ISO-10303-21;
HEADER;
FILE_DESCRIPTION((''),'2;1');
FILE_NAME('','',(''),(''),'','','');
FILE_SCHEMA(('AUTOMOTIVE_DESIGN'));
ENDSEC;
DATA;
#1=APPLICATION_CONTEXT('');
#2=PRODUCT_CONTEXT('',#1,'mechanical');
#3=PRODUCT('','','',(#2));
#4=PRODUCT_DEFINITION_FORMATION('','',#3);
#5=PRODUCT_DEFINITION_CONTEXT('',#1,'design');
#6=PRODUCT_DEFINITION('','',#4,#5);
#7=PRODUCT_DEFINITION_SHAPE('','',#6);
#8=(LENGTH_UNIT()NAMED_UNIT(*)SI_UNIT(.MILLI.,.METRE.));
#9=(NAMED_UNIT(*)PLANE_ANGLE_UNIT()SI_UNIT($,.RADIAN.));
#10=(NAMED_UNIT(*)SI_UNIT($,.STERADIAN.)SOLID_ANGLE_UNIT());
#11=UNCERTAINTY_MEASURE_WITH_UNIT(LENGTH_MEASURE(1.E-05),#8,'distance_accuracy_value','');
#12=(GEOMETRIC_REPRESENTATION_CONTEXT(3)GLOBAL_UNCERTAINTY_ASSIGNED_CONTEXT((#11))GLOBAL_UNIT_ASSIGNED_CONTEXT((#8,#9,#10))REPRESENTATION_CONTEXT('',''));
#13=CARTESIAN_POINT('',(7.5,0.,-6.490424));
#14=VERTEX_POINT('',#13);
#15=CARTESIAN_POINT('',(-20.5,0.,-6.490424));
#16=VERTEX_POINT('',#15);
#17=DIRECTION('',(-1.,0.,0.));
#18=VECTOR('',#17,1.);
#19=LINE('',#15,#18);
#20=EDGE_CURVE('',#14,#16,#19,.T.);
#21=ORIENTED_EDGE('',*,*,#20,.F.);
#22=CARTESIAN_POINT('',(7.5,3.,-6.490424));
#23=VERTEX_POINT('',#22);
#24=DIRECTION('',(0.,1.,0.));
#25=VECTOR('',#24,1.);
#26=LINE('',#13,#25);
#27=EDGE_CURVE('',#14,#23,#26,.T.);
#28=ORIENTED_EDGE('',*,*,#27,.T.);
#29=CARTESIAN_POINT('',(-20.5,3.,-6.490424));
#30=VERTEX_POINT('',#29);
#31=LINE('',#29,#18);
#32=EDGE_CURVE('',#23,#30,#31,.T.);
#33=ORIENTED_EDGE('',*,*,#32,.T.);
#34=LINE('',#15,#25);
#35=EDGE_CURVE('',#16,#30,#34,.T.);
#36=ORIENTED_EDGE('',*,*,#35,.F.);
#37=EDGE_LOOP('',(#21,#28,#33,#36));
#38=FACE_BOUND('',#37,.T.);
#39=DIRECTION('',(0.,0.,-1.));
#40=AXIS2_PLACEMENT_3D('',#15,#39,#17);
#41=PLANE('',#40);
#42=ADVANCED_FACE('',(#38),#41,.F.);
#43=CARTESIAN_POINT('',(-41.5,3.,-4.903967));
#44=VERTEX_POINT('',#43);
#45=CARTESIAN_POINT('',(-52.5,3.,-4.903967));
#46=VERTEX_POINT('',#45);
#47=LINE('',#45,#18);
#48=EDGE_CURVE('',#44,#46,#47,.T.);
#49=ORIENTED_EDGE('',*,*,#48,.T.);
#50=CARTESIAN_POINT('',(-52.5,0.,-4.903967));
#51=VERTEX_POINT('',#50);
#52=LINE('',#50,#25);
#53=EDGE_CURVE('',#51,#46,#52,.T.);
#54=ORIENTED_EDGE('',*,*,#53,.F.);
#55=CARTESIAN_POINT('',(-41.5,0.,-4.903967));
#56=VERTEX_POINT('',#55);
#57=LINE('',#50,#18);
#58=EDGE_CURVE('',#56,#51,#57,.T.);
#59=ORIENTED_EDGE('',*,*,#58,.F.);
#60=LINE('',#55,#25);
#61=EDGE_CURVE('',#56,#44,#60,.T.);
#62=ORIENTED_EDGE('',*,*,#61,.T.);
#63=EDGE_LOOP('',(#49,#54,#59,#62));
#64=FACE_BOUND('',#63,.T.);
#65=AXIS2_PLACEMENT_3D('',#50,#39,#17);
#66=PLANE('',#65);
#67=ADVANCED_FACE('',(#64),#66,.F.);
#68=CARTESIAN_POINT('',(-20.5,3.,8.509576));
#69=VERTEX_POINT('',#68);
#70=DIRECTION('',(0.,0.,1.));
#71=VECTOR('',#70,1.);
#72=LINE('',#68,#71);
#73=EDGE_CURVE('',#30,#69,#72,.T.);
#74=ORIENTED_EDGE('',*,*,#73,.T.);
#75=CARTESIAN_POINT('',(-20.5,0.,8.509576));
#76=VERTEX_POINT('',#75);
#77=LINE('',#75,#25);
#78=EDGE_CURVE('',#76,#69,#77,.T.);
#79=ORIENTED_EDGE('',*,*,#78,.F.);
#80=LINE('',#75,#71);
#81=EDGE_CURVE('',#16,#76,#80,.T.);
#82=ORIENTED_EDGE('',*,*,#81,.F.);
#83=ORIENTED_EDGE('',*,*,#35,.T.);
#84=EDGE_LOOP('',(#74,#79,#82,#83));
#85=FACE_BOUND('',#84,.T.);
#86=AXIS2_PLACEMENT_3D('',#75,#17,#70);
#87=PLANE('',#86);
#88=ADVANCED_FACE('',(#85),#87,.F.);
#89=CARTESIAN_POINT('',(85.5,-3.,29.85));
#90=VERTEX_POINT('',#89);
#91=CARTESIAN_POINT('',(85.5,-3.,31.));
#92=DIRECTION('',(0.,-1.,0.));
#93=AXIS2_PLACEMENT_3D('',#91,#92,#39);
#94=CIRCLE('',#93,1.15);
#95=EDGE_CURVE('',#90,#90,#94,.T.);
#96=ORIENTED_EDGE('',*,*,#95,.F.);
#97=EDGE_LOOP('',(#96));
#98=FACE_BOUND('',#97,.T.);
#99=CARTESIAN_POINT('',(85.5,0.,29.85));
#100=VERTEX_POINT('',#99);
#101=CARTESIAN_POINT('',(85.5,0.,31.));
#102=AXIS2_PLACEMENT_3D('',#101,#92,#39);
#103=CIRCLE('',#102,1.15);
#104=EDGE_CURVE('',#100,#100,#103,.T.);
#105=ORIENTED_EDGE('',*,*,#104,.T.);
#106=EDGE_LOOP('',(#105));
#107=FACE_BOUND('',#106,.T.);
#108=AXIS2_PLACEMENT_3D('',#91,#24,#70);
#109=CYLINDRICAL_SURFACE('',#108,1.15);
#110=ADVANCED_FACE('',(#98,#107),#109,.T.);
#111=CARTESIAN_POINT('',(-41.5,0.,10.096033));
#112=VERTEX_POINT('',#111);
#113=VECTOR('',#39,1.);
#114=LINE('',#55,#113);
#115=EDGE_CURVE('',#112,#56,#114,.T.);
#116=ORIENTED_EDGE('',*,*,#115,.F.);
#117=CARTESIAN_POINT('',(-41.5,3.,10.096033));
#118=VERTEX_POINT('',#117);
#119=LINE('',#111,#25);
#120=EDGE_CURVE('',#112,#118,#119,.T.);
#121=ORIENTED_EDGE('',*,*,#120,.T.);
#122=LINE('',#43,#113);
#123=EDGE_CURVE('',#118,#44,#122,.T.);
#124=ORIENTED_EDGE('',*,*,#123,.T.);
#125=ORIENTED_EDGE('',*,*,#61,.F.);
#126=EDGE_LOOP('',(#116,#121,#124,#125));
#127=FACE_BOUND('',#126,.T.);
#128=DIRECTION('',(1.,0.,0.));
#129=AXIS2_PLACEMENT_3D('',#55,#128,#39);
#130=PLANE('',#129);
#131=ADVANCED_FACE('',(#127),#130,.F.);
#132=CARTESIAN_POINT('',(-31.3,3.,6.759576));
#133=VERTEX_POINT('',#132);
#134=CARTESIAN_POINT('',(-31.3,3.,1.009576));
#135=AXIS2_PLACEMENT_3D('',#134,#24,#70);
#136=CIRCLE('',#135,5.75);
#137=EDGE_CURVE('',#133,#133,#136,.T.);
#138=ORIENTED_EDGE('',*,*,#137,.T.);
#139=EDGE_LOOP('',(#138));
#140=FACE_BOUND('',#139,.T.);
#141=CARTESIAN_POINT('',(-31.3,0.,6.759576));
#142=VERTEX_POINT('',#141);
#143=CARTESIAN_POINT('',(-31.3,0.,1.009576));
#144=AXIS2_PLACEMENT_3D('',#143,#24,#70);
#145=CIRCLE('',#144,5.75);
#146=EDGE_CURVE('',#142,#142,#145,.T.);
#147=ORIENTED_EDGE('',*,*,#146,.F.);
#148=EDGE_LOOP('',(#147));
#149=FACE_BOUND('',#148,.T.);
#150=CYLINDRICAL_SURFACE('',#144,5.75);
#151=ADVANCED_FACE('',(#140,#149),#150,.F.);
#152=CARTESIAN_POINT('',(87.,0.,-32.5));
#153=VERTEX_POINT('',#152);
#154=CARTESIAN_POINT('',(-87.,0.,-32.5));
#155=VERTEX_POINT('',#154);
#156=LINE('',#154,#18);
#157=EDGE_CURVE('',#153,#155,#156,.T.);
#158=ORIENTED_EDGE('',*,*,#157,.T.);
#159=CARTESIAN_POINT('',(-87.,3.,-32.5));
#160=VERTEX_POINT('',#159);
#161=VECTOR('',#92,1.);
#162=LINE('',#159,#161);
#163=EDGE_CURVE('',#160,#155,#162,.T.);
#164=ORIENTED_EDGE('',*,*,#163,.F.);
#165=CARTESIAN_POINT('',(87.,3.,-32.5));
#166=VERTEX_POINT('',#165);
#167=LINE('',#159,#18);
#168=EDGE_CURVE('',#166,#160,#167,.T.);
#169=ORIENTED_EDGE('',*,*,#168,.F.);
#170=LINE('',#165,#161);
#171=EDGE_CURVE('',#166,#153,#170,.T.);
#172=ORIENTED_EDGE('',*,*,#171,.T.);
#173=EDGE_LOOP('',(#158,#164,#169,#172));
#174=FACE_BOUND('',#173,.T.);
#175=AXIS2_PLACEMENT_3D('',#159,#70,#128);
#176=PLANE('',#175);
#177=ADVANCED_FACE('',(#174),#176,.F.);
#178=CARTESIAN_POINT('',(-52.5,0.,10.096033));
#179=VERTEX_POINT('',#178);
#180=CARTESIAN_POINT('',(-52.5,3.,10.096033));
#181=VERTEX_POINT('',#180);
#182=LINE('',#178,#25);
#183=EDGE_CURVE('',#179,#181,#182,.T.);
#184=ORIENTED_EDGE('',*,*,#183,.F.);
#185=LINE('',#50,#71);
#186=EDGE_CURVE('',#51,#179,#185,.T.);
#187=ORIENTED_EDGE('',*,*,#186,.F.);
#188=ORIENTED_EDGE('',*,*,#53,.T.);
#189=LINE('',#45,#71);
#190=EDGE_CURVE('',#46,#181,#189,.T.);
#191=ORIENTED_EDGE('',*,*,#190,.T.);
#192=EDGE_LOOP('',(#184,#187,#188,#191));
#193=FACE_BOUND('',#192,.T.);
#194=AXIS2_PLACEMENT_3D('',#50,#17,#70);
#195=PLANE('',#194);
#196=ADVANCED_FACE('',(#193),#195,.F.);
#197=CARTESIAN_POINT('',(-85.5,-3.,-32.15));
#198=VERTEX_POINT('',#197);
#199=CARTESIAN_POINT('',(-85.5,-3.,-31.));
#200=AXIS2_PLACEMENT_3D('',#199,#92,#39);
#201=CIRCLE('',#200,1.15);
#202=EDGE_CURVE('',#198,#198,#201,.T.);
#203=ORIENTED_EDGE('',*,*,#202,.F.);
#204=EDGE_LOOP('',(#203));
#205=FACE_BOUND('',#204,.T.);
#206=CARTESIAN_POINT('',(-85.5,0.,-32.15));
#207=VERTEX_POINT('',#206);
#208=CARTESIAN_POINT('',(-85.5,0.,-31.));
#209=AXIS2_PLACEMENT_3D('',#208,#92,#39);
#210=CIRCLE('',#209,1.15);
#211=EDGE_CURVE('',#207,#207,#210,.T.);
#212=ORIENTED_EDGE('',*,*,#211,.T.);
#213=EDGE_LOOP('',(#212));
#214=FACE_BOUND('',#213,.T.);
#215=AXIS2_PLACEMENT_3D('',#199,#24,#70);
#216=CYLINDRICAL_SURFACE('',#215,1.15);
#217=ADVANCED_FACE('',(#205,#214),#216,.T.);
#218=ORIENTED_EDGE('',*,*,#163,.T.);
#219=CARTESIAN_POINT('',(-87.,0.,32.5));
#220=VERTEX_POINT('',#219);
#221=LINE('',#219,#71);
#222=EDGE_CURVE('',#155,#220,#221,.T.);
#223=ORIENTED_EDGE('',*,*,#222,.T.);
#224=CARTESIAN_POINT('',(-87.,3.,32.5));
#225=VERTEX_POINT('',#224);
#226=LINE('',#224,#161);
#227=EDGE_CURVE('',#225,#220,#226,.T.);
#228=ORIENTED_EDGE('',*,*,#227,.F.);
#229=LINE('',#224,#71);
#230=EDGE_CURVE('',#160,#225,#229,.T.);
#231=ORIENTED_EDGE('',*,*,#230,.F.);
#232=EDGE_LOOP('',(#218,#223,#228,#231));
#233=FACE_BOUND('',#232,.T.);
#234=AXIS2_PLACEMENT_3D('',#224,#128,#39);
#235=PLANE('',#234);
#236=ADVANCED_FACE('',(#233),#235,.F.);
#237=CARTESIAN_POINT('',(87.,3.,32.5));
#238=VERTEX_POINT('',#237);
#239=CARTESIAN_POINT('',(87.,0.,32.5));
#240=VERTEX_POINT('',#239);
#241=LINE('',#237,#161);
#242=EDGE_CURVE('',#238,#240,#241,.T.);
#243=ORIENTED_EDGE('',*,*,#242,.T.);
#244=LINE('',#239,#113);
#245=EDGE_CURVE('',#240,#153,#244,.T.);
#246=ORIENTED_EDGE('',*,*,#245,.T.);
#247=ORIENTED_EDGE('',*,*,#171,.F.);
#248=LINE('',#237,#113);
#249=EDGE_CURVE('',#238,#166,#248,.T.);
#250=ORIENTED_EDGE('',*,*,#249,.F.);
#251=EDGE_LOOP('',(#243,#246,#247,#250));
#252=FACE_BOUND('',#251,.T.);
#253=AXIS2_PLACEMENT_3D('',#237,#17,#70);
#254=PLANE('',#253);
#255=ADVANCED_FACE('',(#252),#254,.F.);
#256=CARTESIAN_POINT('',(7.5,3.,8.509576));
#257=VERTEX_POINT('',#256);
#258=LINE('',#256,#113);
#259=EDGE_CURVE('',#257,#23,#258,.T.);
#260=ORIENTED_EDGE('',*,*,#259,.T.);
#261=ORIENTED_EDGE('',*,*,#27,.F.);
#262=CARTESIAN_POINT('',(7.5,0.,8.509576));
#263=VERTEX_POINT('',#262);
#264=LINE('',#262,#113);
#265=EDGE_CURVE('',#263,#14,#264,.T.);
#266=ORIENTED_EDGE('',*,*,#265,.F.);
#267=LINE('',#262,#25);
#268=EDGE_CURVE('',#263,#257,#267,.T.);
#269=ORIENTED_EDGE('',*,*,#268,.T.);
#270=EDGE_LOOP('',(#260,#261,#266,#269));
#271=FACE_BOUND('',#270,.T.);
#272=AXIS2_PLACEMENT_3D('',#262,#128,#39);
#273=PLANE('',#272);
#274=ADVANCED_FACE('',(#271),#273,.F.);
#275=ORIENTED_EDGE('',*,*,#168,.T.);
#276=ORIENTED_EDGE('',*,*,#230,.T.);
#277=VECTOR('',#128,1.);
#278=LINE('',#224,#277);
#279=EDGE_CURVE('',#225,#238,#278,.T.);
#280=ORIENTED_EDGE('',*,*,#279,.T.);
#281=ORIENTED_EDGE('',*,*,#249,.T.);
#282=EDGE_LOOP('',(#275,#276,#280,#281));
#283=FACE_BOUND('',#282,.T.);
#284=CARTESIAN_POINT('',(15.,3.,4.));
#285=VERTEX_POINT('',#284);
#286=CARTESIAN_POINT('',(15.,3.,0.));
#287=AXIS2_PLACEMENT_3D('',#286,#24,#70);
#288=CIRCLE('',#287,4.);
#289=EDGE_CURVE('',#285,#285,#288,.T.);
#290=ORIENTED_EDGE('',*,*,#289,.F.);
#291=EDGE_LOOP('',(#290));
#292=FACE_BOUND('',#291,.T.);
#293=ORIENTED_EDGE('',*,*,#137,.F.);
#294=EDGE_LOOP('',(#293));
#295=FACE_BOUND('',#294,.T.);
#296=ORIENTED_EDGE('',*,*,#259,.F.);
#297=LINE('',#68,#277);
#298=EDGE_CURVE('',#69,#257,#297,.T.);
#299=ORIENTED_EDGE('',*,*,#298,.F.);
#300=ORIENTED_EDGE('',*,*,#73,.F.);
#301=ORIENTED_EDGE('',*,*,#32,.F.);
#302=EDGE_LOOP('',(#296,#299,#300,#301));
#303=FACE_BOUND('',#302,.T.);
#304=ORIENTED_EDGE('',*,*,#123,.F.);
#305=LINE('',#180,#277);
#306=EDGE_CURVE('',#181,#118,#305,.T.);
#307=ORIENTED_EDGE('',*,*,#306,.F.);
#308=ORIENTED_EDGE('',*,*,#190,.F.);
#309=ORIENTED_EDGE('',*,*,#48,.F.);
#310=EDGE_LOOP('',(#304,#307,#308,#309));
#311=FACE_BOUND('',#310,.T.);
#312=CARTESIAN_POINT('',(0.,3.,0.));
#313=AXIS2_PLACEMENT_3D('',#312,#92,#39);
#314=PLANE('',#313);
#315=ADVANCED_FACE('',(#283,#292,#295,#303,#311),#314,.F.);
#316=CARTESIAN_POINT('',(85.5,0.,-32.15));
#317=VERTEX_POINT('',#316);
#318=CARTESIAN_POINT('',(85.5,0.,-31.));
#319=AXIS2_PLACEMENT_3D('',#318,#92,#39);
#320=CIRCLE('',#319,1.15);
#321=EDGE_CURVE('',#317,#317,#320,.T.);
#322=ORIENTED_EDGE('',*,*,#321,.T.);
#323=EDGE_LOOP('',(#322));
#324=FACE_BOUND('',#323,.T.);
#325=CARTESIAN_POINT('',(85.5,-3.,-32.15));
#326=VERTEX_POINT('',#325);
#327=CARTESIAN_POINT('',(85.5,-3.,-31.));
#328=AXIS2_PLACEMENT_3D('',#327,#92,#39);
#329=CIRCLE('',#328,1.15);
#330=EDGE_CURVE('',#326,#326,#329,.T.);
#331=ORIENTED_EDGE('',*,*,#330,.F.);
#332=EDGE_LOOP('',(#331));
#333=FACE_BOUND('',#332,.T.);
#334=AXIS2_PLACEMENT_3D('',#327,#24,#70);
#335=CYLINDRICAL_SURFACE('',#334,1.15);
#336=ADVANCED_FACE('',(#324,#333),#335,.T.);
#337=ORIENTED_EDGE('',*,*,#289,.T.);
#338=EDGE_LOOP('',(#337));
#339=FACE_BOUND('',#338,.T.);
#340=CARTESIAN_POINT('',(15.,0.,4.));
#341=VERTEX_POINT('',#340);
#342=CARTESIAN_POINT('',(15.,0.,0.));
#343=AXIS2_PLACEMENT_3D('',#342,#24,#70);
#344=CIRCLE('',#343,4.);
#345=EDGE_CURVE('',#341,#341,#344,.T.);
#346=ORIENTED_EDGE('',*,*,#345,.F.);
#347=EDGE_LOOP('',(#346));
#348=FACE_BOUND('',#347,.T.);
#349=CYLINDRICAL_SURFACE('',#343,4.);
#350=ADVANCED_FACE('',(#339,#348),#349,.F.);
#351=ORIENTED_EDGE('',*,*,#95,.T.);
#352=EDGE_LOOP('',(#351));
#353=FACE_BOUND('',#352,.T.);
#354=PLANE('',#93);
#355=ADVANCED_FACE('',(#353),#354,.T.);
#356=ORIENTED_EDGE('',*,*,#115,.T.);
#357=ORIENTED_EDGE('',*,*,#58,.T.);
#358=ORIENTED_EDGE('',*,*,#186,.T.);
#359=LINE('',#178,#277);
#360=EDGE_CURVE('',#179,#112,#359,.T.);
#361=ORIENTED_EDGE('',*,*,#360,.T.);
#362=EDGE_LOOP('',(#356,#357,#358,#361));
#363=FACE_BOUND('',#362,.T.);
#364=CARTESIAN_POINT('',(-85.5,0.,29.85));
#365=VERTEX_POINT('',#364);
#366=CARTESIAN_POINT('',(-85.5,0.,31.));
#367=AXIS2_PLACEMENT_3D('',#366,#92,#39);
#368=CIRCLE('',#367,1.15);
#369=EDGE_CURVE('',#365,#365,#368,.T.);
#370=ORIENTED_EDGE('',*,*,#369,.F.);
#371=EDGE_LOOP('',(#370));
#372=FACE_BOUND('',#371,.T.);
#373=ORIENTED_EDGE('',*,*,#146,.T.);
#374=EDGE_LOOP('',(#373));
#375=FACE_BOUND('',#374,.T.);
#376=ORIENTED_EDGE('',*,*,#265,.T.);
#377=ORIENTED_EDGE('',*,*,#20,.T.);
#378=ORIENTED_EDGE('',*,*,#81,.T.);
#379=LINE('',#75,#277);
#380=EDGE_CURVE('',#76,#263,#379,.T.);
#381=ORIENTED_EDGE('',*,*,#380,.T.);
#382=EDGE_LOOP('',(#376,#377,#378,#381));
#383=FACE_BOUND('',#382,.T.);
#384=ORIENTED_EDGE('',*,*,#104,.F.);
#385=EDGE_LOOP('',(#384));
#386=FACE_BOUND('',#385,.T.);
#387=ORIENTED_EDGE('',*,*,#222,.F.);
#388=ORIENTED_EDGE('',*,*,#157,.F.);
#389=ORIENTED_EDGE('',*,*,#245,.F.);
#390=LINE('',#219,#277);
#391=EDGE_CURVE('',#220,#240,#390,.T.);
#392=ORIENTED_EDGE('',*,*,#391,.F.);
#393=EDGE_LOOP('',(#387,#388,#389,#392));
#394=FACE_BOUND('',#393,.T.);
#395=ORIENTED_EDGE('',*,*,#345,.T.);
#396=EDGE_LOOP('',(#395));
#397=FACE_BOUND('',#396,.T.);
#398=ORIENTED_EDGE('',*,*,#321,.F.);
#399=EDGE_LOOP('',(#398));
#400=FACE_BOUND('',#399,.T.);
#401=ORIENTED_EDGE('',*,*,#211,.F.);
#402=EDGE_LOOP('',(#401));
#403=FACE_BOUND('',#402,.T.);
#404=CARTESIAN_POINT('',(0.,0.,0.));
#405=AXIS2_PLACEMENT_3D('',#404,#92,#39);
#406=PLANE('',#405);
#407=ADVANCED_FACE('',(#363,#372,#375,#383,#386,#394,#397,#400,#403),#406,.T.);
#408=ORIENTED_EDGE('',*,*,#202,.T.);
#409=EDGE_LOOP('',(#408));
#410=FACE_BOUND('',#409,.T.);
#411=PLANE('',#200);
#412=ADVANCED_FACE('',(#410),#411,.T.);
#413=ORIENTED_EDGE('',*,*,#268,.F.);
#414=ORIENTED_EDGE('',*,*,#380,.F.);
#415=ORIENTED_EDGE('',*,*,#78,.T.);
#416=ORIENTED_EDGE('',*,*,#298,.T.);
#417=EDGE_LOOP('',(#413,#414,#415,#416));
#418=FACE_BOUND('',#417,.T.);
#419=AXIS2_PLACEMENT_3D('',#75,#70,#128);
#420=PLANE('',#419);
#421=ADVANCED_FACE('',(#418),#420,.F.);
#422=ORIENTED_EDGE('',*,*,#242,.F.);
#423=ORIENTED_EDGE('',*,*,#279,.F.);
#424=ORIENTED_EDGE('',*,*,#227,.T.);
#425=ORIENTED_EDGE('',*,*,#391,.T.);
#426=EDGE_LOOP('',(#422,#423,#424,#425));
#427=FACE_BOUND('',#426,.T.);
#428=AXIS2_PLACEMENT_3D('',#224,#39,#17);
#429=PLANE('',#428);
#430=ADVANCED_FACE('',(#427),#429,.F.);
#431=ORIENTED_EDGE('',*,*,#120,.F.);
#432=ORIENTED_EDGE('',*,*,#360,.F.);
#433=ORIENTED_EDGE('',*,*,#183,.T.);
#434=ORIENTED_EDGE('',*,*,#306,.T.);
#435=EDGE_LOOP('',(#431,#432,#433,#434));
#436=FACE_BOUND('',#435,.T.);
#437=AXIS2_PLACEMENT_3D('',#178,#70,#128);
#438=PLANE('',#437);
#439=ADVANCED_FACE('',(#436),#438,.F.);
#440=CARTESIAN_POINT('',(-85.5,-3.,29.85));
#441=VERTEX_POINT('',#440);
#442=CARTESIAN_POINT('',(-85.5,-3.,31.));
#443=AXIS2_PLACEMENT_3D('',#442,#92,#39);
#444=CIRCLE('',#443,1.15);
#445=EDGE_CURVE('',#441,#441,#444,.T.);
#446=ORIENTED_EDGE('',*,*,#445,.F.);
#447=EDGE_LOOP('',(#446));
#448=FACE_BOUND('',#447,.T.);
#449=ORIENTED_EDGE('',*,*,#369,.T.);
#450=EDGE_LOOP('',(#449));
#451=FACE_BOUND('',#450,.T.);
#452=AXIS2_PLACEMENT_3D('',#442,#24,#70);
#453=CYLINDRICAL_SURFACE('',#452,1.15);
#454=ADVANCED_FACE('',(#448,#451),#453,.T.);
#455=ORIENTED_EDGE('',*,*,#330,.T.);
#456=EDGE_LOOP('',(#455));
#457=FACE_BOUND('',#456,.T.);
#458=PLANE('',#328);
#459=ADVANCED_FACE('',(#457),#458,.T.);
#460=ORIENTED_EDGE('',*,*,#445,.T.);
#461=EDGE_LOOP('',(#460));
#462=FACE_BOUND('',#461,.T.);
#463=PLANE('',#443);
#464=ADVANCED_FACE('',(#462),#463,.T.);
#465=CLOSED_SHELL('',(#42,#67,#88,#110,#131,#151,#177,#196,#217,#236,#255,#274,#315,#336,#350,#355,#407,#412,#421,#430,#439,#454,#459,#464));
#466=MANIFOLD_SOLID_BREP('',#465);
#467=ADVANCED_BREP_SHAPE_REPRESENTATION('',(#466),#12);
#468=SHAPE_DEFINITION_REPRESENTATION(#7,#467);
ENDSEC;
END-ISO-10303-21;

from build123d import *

# Parameters (mm, degrees)
SKETCH1_W           = 174
SKETCH1_H           = 65
BOSS_EXTRUDE1_DEPTH = 3
SKETCH2_R           = 4
SKETCH2_R_2         = 5.75
SKETCH2_W           = 28
SKETCH2_H           = 15
SKETCH2_W_2         = 11
CUT_EXTRUDE1_DEPTH  = 3
SKETCH3_R           = 1.15
BOSS_EXTRUDE2_DEPTH = 3


with BuildPart() as part:
    # Sketch1 → Boss-Extrude1 (new body)
    with BuildSketch(Plane(origin=(0, 0, 0), x_dir=(1, 0, 0), z_dir=(0, 1, 0))):
        Rectangle(SKETCH1_W, SKETCH1_H)
    extrude(amount=BOSS_EXTRUDE1_DEPTH)

    # Sketch2 → Cut-Extrude1 (cut)
    with BuildSketch(Plane(origin=(0, 3, 0), x_dir=(1, 0, 0), z_dir=(0, 1, 0))):
        with Locations(Location((15, 0, 0), (0, 0, 270))):
            Circle(SKETCH2_R)
        with Locations(Location((-31.3, -1.00957594, 0), (0, 0, 270))):
            Circle(SKETCH2_R_2)
        with Locations((-6.5, -1.00957594)):
            Rectangle(SKETCH2_W, SKETCH2_H)
        with Locations((-47, -2.596032883)):
            Rectangle(SKETCH2_W_2, SKETCH2_H)
    extrude(amount=-CUT_EXTRUDE1_DEPTH, mode=Mode.SUBTRACT)

    # Sketch3 → Boss-Extrude2 (add)
    with BuildSketch(Plane.XZ):
        with Locations(Location((-85.5, 31, 0), (0, 0, 270))):
            Circle(SKETCH3_R)
        with Locations(Location((85.5, 31, 0), (0, 0, 270))):
            Circle(SKETCH3_R)
        with Locations(Location((85.5, -31, 0), (0, 0, 270))):
            Circle(SKETCH3_R)
        with Locations(Location((-85.5, -31, 0), (0, 0, 270))):
            Circle(SKETCH3_R)
    extrude(amount=BOSS_EXTRUDE2_DEPTH)


solid = part.part
